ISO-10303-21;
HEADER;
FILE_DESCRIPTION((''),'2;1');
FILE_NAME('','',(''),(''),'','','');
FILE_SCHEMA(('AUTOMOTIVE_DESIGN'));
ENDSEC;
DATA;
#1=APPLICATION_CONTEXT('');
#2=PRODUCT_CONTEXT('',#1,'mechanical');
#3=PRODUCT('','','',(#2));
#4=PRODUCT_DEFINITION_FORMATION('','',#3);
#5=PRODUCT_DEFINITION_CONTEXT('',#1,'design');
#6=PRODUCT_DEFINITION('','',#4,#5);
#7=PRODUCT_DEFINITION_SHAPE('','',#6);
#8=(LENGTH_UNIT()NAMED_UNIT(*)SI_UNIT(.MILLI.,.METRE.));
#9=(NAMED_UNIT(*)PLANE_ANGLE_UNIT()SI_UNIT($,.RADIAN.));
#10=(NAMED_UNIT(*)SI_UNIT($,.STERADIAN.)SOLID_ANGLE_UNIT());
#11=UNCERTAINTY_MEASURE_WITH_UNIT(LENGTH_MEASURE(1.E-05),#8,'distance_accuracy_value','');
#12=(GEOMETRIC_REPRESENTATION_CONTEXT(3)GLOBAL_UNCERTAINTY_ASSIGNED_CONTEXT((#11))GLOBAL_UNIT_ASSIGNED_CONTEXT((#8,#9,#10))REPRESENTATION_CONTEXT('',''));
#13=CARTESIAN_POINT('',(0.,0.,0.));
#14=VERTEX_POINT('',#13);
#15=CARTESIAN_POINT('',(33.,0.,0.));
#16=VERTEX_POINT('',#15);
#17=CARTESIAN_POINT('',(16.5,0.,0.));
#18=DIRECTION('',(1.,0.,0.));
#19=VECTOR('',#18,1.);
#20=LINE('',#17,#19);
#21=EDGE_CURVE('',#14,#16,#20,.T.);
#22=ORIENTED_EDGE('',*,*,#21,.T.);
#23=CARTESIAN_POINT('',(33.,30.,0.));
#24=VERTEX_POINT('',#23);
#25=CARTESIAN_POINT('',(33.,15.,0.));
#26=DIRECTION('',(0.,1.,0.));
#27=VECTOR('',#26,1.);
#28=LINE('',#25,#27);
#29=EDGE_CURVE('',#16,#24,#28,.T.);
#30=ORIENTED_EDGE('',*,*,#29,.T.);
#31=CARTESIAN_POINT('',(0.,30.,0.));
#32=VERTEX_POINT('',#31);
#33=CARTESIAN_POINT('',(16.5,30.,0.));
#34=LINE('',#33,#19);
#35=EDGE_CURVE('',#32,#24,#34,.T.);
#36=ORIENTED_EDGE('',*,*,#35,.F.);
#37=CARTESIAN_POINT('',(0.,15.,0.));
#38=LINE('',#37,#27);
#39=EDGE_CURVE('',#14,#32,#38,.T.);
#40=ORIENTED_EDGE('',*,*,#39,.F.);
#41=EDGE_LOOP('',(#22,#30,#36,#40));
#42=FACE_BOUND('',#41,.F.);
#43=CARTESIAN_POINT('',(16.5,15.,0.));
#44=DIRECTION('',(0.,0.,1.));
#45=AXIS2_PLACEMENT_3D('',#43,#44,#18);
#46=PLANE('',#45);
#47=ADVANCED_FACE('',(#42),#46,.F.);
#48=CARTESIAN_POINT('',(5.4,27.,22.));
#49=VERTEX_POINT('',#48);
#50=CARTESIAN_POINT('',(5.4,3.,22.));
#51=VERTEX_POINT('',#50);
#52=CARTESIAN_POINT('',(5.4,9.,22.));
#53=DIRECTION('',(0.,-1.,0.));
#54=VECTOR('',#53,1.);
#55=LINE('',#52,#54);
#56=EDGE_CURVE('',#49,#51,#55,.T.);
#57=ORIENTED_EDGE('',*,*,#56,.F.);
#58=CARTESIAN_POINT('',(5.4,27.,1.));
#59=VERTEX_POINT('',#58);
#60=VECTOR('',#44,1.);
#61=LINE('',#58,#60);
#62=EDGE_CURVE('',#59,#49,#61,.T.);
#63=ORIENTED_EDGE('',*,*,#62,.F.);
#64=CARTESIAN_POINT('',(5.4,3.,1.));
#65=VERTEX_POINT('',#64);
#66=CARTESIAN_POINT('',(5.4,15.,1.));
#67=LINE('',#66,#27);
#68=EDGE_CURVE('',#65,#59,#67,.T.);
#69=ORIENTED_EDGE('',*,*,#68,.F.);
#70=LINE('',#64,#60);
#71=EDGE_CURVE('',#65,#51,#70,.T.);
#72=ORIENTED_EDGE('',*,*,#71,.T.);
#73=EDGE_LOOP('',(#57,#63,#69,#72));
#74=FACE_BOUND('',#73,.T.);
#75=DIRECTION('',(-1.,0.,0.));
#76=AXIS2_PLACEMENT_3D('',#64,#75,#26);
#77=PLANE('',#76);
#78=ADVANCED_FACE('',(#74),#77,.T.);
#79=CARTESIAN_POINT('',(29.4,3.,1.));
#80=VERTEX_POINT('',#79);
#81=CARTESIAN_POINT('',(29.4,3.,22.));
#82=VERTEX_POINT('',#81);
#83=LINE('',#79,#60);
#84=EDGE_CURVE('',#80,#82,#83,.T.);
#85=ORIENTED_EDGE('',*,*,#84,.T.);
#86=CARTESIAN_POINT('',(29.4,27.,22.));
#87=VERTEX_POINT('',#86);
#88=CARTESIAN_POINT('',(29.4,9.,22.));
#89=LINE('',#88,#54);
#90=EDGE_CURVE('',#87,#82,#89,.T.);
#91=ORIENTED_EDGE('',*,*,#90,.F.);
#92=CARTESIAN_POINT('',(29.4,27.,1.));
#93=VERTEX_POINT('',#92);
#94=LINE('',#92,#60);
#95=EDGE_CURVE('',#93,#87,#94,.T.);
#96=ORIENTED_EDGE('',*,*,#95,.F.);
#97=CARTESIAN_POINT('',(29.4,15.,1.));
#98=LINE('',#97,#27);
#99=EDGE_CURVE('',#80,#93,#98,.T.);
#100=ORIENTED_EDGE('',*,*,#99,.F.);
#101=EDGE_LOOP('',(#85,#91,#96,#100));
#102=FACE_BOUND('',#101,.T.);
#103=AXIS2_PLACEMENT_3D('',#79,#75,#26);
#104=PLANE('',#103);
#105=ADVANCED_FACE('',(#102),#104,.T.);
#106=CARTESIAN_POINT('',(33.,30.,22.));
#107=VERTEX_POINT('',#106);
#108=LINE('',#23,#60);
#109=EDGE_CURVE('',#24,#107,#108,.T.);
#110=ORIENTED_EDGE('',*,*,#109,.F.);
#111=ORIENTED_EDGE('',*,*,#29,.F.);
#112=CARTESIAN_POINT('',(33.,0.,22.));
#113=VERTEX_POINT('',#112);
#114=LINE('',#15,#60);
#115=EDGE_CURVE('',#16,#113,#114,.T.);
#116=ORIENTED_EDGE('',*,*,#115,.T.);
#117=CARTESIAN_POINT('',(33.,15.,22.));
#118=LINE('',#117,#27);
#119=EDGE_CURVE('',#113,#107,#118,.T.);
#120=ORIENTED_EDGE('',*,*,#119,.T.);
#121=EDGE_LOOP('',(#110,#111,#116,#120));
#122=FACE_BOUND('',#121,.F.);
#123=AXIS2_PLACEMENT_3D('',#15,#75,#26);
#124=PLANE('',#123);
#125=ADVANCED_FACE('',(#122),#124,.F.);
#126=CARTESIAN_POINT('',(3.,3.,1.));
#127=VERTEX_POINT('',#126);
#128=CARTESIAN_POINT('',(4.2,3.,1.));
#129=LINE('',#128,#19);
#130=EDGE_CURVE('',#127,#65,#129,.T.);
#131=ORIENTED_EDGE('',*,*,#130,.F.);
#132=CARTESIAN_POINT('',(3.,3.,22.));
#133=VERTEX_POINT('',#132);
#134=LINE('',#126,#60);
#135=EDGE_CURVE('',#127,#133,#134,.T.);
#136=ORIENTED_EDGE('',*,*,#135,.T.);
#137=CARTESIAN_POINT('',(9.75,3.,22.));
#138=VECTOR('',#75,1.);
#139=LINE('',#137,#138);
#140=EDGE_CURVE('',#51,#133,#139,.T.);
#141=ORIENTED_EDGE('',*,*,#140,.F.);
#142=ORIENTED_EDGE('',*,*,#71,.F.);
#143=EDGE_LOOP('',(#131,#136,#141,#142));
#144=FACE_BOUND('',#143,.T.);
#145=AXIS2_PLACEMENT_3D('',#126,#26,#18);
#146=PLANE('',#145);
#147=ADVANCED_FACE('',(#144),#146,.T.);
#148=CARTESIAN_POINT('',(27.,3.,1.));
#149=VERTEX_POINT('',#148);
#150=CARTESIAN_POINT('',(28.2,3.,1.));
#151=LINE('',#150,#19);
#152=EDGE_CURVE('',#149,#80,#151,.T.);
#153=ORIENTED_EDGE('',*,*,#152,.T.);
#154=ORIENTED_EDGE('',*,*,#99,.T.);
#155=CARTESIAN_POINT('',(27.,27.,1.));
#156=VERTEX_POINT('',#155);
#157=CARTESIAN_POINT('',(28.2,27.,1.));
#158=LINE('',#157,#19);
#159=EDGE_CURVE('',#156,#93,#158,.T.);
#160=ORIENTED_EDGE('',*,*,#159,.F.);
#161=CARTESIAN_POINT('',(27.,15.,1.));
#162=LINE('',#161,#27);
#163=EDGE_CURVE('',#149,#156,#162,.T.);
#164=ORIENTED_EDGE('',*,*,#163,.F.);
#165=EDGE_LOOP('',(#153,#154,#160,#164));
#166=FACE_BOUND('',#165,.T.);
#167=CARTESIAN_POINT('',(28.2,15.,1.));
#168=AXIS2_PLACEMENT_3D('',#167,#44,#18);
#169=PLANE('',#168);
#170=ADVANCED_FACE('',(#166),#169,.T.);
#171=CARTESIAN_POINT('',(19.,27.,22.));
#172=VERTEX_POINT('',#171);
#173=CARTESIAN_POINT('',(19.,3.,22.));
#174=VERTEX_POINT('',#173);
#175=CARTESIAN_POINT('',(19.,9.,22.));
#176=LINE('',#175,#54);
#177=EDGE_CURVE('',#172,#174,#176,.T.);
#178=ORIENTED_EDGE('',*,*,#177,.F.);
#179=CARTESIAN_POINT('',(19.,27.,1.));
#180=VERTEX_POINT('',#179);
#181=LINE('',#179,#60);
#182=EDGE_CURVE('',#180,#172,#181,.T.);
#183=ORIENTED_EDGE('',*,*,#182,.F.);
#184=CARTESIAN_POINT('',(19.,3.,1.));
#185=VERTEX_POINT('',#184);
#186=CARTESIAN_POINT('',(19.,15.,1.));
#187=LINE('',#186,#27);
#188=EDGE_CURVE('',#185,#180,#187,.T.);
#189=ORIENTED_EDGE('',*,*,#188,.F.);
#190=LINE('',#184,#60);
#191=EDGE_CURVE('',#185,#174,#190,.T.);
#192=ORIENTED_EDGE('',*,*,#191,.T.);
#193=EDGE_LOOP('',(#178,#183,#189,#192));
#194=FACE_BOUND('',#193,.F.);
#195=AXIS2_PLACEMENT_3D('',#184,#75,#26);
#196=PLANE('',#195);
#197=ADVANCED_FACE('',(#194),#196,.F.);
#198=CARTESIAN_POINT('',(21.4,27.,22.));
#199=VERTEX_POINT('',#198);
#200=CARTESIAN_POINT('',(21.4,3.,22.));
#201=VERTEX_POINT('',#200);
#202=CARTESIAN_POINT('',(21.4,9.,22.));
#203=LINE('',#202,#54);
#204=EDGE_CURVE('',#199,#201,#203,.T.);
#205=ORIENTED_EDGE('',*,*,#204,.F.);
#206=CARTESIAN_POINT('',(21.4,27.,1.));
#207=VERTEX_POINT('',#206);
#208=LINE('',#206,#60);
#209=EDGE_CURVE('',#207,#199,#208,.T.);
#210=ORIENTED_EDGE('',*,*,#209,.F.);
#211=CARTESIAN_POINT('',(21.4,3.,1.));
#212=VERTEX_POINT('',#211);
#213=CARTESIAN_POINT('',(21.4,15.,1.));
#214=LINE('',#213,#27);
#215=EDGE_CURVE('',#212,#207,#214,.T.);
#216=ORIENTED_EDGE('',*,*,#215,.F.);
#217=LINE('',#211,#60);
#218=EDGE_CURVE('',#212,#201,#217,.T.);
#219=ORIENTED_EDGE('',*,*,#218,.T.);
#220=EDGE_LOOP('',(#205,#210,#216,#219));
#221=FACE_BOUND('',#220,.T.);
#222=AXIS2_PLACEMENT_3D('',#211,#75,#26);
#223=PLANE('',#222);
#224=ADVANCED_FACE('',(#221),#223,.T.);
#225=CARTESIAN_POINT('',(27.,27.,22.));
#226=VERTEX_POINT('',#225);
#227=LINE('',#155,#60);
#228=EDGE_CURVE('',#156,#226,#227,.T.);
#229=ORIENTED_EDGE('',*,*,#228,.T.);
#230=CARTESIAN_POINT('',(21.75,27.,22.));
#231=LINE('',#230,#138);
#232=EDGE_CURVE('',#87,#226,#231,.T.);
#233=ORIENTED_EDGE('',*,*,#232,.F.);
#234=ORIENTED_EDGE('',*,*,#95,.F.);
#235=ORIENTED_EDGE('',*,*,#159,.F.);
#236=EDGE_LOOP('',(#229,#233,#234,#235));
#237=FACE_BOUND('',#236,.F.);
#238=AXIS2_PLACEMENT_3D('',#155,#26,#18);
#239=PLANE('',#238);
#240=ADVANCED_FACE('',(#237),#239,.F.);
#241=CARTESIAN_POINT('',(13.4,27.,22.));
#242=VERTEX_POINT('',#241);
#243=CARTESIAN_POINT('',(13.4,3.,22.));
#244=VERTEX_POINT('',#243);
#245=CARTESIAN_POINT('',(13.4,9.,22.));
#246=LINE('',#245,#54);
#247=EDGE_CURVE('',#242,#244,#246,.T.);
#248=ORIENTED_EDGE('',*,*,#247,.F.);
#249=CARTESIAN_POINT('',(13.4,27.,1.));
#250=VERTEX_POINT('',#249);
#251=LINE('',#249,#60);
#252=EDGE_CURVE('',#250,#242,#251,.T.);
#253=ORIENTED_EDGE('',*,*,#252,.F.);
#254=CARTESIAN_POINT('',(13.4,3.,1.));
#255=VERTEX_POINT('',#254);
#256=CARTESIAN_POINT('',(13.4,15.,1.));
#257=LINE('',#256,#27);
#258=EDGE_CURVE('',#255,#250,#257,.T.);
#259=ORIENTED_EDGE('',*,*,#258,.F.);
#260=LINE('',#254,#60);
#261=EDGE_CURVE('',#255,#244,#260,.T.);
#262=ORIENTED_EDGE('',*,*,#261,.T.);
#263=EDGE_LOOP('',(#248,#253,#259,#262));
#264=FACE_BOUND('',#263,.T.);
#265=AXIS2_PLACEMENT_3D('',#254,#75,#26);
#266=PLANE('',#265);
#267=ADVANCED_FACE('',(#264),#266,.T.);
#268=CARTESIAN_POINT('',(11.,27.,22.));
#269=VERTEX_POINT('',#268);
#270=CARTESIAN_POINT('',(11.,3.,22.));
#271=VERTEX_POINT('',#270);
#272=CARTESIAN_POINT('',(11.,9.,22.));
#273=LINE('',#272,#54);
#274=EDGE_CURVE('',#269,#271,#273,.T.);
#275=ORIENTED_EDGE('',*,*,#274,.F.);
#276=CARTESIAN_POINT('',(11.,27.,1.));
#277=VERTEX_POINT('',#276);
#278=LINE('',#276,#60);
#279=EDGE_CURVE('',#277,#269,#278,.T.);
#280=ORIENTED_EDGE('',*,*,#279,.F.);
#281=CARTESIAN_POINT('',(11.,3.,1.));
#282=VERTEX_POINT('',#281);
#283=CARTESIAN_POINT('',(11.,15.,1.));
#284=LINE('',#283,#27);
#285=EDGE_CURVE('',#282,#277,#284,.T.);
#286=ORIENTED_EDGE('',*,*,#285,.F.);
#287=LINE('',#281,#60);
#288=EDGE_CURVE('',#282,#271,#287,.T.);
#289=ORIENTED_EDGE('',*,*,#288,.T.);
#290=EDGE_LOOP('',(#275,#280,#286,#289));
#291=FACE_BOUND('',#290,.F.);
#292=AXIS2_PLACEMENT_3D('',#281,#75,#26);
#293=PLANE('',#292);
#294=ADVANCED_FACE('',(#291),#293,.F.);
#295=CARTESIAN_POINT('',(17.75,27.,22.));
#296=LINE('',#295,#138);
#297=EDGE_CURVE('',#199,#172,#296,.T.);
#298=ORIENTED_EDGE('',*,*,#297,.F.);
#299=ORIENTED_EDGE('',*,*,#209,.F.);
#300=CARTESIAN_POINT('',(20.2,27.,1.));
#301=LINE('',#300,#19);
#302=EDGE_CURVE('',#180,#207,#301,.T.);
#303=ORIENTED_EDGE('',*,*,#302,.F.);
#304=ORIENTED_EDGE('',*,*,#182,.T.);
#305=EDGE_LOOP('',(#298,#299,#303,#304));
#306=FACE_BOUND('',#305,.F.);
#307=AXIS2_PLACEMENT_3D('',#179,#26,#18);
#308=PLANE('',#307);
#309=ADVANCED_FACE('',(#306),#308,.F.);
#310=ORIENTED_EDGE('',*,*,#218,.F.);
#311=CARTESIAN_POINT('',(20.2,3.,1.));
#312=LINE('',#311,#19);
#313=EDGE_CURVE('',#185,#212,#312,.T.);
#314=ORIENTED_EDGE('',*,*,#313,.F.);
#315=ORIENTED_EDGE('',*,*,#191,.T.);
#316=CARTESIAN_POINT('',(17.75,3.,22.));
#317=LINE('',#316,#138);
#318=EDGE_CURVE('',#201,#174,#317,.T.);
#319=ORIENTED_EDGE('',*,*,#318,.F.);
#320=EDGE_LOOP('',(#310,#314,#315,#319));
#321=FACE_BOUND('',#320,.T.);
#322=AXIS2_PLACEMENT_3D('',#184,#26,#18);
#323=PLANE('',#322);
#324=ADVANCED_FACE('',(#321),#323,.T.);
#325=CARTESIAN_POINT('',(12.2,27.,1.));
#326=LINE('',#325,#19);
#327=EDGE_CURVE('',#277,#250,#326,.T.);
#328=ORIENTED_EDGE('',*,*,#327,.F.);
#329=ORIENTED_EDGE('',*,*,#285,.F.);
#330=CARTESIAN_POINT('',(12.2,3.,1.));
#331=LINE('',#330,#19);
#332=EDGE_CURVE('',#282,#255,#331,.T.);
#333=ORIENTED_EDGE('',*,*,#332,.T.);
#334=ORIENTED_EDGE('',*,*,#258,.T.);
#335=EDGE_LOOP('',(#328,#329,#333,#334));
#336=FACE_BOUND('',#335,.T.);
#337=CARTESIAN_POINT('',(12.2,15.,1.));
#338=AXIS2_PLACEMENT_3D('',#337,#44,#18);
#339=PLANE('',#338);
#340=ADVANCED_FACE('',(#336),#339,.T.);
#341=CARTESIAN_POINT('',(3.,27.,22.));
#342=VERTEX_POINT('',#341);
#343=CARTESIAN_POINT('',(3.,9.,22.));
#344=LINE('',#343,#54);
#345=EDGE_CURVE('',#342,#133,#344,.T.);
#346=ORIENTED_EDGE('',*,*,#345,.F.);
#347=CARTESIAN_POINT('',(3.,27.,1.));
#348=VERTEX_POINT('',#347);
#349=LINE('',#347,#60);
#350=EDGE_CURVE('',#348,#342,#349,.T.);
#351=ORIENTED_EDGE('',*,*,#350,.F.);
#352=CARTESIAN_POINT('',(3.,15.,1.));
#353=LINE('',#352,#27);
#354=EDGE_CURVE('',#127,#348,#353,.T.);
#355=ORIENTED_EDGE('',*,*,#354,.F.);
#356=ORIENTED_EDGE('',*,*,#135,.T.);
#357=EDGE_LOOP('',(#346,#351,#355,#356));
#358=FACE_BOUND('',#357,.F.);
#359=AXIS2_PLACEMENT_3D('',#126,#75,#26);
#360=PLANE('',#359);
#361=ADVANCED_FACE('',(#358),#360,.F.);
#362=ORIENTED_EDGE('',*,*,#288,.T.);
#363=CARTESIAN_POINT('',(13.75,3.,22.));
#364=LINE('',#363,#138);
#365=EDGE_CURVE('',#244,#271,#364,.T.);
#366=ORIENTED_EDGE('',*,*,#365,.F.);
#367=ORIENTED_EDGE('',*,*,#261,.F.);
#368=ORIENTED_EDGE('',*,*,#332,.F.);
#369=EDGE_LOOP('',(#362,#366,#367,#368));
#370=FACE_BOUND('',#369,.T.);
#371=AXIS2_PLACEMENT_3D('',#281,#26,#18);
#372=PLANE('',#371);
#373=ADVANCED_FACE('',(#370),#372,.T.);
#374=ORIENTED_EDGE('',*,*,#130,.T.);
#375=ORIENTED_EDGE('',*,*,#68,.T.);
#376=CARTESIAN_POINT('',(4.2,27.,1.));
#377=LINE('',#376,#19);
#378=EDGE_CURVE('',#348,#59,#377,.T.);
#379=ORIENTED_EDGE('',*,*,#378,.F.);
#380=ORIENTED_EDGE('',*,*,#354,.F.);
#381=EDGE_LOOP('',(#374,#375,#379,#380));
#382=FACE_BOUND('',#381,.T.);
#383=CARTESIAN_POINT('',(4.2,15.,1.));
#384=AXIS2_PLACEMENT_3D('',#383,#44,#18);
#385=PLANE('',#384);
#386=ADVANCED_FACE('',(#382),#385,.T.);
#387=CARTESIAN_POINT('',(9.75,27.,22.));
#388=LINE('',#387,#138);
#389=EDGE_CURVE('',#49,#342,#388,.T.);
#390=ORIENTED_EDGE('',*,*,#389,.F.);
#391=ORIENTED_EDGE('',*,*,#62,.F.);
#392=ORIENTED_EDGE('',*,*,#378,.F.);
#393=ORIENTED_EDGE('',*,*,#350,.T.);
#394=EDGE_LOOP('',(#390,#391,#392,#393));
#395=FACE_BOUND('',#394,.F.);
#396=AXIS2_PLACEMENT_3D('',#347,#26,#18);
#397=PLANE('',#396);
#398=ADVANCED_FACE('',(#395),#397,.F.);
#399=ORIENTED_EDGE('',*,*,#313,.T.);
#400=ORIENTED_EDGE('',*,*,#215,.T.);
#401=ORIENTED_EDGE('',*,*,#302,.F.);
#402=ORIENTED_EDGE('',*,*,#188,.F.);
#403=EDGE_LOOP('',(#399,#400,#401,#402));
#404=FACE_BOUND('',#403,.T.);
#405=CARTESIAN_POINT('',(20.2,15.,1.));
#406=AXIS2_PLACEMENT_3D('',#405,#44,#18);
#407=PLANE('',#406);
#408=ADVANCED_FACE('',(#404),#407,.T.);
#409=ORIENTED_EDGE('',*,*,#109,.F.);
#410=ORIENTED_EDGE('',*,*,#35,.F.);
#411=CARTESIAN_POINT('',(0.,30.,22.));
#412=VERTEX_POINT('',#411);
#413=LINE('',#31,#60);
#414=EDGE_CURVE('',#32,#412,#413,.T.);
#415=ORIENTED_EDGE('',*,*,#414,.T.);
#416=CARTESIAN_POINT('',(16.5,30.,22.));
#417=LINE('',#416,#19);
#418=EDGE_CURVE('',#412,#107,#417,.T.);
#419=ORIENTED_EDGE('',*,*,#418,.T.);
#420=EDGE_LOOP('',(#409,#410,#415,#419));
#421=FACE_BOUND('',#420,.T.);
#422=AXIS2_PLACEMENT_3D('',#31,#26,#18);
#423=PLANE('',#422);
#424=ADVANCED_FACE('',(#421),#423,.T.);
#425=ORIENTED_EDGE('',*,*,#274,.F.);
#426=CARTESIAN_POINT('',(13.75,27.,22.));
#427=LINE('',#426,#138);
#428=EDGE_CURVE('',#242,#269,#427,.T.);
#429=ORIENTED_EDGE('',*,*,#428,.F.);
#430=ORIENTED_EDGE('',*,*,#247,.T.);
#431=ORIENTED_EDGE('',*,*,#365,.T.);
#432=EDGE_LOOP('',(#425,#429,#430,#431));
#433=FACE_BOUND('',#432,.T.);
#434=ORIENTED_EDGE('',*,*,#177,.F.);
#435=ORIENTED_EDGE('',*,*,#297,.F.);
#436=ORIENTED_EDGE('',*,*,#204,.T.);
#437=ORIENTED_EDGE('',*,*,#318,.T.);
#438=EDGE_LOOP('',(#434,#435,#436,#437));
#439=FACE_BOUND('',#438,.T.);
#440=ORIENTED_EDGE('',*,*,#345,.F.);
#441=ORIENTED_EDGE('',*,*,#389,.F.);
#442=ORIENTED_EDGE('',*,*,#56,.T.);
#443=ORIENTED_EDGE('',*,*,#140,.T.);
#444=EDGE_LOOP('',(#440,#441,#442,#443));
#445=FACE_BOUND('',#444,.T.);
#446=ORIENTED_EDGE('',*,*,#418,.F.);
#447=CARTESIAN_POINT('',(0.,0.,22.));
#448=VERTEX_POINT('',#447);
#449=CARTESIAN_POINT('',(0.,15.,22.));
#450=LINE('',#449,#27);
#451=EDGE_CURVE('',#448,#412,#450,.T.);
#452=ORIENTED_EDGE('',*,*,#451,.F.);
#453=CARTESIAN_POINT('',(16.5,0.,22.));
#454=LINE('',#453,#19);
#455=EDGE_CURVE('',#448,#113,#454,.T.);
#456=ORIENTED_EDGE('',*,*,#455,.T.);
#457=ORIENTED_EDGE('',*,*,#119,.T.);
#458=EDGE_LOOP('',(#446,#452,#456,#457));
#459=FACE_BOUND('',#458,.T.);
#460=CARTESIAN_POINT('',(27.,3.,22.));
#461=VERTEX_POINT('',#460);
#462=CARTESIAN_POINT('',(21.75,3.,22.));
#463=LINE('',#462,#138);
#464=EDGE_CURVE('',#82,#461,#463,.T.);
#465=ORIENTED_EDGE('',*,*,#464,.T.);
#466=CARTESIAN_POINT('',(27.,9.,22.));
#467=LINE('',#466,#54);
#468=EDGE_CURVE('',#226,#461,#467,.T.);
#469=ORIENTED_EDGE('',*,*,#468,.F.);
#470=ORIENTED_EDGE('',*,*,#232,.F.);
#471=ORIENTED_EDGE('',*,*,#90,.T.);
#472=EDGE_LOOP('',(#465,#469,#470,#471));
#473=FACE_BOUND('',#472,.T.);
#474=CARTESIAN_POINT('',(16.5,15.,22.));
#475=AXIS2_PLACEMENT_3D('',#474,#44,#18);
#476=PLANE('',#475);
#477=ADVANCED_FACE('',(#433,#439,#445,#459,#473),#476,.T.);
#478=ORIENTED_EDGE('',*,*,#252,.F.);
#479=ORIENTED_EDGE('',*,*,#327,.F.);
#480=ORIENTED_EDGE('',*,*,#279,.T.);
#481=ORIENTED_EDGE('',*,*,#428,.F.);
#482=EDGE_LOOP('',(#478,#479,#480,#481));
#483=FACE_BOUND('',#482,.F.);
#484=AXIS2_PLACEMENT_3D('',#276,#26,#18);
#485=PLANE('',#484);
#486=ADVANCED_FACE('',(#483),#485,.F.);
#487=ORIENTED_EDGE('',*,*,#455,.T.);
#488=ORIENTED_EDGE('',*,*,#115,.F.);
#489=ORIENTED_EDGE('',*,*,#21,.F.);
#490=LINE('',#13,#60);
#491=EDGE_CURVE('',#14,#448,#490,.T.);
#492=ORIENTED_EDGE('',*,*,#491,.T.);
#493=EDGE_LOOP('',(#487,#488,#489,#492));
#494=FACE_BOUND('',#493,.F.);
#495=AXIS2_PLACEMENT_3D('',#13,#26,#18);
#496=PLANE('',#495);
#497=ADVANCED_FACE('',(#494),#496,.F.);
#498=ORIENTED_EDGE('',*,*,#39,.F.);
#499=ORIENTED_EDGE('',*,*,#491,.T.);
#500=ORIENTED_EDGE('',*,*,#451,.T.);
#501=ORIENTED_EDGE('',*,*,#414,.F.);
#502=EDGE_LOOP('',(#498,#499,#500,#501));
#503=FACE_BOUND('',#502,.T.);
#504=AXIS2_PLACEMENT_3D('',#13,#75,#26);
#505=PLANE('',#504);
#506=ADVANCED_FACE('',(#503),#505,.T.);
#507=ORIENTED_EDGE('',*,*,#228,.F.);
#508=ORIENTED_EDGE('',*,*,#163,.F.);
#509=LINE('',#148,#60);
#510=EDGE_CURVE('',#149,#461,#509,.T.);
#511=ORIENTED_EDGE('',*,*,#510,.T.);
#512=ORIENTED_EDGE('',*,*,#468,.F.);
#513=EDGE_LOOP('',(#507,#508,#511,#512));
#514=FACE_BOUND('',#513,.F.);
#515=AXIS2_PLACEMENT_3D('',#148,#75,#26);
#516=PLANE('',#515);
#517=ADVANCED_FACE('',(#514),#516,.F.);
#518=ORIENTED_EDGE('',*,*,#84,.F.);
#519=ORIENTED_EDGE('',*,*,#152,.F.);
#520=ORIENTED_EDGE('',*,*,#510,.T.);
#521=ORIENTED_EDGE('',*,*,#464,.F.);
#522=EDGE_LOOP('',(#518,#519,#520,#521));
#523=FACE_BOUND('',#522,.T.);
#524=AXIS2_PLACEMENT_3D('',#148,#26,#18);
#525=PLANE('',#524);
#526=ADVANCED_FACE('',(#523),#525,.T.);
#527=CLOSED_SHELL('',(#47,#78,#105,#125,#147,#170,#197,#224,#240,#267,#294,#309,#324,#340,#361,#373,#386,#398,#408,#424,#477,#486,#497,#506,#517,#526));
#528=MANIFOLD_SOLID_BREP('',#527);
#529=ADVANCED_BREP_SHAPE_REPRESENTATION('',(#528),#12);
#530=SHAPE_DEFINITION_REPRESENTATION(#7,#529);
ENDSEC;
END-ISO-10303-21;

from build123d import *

# Parameters (mm, degrees)
BOX_W        = 2.4
BOX_H        = 24
BOX_DEPTH    = 22
BOX001_W     = 2.4
BOX001_H     = 24
BOX001_DEPTH = 22
BOX002_W     = 2.4
BOX002_H     = 24
BOX002_DEPTH = 22
BOX003_W     = 2.4
BOX003_H     = 24
BOX003_DEPTH = 22
BOX004_W     = 33
BOX004_H     = 30
BOX004_DEPTH = 22


with BuildPart() as ranura1:
    # Box → Box (new body)
    with BuildSketch(Plane.XY):
        with Locations((1.2, 12)):
            Rectangle(BOX_W, BOX_H)
    extrude(amount=BOX_DEPTH)


with BuildPart() as ranura002:
    # Box001 → Box001 (new body)
    with BuildSketch(Plane(origin=(8, 0, 0), x_dir=(1, 0, 0), z_dir=(0, 0, 1))):
        with Locations((1.2, 12)):
            Rectangle(BOX001_W, BOX001_H)
    extrude(amount=BOX001_DEPTH)


with BuildPart() as ranura003:
    # Box002 → Box002 (new body)
    with BuildSketch(Plane(origin=(16, 0, 0), x_dir=(1, 0, 0), z_dir=(0, 0, 1))):
        with Locations((1.2, 12)):
            Rectangle(BOX002_W, BOX002_H)
    extrude(amount=BOX002_DEPTH)


with BuildPart() as fusion:
    # Box003 → Box003 (new body)
    with BuildSketch(Plane(origin=(24, 0, 0), x_dir=(1, 0, 0), z_dir=(0, 0, 1))):
        with Locations((1.2, 12)):
            Rectangle(BOX003_W, BOX003_H)
    extrude(amount=BOX003_DEPTH)

    # Fusion: union Ranura1, Ranura002, Ranura003
    add(ranura1.part)
    add(ranura002.part)
    add(ranura003.part)


with BuildPart() as fusion_1:
    # Fusion placement: moved
    add(fusion.part.moved(Location((3, 3, 1))))


with BuildPart() as cut:
    # Box004 → Box004 (new body)
    with BuildSketch(Plane.XY):
        with Locations((16.5, 15)):
            Rectangle(BOX004_W, BOX004_H)
    extrude(amount=BOX004_DEPTH)

    # Cut: cut Fusion
    add(fusion_1.part, mode=Mode.SUBTRACT)


solid = cut.part
